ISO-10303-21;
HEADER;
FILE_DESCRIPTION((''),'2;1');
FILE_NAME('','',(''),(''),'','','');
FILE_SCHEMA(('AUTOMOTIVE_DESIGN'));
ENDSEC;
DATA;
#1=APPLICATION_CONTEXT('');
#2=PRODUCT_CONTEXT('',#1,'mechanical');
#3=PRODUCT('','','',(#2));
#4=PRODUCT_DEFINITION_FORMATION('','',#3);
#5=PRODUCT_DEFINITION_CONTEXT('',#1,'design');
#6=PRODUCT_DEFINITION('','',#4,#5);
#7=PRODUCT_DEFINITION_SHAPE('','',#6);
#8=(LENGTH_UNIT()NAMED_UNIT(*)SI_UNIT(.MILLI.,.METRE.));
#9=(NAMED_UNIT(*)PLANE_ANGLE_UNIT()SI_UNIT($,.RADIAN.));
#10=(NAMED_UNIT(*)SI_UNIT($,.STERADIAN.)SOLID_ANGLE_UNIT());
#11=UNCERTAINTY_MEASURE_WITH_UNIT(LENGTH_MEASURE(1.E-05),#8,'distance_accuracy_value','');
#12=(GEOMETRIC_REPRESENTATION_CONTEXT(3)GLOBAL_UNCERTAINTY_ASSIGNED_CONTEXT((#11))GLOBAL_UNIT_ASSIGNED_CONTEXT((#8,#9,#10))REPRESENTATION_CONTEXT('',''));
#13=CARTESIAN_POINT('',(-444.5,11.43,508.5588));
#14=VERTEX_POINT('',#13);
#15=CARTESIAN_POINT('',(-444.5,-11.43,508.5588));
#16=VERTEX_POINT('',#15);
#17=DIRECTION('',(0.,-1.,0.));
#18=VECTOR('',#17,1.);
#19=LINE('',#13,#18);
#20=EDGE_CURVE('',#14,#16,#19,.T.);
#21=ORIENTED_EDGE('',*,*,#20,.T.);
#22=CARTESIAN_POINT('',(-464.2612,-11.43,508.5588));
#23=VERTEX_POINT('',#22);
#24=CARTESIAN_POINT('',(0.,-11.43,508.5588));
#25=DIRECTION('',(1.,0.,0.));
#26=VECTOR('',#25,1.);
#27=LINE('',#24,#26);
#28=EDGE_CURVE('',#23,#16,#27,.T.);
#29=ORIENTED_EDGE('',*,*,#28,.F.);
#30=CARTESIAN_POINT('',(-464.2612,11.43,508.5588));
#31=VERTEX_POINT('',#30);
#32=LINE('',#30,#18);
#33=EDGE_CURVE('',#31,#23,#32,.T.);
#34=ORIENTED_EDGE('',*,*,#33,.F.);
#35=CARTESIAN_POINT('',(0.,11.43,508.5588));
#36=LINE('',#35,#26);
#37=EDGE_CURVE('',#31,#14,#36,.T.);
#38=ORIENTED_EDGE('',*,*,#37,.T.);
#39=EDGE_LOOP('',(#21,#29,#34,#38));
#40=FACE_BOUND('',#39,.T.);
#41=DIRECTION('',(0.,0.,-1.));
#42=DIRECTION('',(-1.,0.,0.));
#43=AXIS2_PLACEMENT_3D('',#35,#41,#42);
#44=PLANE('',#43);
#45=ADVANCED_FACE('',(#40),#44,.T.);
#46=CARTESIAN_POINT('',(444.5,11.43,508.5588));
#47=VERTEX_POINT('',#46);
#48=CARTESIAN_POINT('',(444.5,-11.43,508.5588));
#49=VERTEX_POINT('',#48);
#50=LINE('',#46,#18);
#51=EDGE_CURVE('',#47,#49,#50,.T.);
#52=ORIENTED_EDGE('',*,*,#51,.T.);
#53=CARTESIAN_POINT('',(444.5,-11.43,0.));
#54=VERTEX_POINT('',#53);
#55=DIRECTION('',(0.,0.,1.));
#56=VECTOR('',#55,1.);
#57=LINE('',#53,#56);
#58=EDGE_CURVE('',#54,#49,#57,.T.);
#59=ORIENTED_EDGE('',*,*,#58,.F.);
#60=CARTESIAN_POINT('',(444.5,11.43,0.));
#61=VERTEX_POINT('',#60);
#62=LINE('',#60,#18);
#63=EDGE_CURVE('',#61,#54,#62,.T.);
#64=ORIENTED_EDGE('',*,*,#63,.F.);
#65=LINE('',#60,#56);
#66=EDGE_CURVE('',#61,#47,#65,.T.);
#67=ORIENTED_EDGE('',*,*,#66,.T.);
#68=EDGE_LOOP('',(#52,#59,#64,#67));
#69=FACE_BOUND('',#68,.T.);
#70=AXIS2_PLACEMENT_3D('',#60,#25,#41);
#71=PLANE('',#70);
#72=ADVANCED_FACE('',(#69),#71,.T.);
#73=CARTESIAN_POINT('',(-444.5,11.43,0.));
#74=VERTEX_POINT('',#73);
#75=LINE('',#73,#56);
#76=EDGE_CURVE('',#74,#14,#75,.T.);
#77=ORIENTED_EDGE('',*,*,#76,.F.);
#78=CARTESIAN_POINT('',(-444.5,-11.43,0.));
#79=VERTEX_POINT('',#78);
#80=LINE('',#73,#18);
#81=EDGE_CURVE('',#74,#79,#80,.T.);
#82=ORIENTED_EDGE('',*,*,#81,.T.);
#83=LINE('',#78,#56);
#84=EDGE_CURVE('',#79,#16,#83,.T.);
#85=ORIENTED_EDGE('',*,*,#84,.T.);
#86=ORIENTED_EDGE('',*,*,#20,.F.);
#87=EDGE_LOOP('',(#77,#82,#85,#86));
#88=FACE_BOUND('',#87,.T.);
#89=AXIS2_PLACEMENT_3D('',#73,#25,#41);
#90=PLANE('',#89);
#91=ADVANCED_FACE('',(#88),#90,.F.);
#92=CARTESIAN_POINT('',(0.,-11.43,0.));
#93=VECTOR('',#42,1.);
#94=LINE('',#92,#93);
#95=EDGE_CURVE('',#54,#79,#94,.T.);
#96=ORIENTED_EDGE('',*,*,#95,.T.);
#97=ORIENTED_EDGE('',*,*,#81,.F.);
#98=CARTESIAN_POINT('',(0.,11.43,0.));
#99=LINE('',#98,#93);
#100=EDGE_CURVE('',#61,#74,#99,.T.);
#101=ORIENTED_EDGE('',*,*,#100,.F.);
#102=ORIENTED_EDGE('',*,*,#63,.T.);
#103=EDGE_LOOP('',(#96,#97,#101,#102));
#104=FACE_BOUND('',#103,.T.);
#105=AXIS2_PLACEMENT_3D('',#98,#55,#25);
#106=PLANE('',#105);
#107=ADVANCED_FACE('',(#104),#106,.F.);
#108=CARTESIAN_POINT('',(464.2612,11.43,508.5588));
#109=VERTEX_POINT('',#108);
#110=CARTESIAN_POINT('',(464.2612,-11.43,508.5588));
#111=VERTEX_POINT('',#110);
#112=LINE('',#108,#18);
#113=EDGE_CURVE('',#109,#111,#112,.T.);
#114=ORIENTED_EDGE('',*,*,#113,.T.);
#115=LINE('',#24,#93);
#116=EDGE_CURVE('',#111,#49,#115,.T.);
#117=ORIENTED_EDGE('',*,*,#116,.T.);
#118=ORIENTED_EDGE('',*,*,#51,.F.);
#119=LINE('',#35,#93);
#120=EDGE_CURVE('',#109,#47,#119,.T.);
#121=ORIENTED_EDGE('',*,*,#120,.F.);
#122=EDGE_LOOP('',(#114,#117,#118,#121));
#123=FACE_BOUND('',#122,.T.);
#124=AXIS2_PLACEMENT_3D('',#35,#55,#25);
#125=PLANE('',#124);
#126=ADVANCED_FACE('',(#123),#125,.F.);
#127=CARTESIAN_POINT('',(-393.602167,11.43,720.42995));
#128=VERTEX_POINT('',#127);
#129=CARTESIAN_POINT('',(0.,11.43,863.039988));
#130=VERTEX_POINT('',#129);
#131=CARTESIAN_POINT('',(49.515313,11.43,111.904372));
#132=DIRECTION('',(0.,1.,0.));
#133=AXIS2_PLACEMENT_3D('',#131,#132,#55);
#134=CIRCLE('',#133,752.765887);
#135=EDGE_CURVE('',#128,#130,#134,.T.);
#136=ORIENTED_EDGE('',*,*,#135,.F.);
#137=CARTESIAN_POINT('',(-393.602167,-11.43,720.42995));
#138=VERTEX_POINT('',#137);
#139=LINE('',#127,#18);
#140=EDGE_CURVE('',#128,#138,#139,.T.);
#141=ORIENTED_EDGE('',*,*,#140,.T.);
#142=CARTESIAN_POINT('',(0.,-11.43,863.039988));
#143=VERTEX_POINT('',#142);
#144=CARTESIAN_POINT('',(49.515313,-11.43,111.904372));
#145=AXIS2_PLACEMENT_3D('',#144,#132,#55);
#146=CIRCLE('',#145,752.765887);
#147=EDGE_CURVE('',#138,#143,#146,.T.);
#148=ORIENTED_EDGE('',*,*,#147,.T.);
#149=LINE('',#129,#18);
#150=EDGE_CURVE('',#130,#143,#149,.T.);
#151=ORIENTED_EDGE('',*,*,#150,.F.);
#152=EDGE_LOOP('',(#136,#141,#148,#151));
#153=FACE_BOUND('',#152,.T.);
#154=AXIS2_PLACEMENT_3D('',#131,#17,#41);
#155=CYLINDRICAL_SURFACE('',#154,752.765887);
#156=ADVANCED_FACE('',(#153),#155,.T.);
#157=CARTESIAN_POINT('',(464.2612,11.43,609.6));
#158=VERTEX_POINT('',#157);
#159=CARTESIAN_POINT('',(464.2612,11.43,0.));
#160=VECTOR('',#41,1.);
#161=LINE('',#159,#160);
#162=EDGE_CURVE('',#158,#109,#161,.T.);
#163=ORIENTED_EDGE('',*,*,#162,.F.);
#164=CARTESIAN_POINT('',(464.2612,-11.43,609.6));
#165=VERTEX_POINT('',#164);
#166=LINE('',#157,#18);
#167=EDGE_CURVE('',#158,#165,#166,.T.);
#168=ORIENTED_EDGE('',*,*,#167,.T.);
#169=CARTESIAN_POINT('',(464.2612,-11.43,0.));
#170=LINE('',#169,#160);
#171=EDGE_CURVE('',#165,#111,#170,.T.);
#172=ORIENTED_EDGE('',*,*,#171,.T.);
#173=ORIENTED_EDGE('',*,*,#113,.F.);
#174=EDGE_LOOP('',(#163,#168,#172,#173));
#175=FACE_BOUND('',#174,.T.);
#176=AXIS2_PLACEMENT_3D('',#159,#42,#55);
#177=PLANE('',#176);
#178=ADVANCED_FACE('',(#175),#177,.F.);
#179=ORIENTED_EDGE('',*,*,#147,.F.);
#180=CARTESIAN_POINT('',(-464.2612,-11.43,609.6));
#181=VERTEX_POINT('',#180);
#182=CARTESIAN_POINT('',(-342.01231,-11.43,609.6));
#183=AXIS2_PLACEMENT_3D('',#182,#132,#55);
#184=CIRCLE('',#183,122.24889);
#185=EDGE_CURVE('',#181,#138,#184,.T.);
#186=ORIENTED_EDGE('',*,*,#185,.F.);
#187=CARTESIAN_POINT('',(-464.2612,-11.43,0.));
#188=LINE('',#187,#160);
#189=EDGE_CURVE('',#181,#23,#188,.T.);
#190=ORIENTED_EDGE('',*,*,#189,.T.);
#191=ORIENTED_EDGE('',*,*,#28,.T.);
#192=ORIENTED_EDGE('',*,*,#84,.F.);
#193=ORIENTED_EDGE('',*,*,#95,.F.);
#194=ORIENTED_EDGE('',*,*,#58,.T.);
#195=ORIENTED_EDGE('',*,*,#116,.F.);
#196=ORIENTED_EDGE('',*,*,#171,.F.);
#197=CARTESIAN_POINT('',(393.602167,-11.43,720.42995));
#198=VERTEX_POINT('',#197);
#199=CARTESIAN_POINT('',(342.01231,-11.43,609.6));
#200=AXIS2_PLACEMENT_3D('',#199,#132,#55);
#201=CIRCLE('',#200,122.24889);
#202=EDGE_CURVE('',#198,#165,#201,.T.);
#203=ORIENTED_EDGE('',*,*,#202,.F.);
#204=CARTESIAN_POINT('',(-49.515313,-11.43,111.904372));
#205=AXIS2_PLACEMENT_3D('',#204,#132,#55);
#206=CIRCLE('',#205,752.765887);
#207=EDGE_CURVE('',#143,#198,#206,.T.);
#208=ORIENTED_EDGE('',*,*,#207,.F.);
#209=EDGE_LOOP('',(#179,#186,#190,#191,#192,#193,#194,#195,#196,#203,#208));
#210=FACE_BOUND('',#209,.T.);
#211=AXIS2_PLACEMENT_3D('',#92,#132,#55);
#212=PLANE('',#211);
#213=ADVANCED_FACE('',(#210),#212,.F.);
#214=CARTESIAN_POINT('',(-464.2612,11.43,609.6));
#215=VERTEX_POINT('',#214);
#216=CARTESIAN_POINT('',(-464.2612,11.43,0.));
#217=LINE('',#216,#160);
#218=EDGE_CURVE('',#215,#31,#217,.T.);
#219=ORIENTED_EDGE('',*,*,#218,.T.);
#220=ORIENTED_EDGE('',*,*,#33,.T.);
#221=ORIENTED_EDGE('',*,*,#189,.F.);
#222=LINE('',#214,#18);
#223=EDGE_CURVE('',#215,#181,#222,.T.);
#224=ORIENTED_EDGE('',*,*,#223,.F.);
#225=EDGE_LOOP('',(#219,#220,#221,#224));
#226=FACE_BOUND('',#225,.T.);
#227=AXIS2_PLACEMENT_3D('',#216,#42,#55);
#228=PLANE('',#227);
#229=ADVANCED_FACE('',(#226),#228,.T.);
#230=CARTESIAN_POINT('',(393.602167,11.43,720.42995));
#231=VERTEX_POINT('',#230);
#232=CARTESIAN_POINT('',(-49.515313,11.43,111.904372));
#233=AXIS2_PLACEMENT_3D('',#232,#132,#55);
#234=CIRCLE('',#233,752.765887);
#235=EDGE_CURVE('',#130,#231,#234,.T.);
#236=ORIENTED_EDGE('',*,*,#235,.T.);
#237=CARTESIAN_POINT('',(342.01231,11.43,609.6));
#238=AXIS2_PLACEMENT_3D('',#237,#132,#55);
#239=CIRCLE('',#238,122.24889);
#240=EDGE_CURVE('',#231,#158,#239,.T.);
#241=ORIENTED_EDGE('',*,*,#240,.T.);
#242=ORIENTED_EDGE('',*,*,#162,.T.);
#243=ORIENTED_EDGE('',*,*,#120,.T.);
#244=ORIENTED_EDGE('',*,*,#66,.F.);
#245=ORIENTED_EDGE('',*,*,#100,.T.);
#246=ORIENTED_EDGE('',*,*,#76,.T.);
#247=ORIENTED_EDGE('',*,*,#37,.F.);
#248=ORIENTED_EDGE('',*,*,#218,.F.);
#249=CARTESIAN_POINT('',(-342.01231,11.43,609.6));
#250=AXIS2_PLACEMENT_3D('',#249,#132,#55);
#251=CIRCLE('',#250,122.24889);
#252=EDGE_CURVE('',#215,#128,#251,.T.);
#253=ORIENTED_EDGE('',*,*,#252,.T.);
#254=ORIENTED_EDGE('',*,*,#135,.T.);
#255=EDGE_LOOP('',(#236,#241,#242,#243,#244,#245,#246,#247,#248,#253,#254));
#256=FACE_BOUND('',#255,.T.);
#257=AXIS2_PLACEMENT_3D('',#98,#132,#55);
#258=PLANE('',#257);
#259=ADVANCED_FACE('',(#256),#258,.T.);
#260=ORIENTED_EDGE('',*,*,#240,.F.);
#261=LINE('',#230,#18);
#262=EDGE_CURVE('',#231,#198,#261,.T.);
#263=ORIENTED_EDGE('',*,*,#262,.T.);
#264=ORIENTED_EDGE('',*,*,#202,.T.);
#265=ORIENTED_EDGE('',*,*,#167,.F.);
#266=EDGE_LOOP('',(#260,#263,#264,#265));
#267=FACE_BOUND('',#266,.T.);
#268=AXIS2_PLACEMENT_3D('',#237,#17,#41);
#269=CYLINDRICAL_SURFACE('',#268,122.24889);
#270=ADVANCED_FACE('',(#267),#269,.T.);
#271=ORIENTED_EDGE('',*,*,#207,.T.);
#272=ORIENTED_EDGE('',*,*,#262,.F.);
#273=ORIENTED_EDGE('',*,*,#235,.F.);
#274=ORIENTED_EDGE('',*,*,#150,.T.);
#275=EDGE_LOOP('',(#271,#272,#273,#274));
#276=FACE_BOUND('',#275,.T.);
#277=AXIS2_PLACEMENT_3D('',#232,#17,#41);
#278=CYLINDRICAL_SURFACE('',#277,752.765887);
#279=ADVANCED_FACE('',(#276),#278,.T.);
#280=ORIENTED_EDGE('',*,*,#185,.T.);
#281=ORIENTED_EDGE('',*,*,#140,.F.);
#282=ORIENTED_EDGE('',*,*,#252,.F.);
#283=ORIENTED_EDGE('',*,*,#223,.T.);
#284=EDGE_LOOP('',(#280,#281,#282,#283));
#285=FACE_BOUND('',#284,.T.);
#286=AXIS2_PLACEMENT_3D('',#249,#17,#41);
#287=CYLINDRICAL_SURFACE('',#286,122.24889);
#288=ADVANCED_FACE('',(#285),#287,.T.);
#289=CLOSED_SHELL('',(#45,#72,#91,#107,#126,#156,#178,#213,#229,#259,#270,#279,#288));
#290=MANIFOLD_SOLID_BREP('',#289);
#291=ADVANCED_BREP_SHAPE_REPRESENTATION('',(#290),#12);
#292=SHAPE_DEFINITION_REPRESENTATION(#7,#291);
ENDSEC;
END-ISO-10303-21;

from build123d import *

# Parameters (mm, degrees)
BOSS_EXTRUDE3_DEPTH = 11.43


with BuildPart() as part:
    # Sketch22 → Boss-Extrude3 (new, symmetric)
    with BuildSketch(Plane(origin=(0, 0, 0), x_dir=(1, 0, 0), z_dir=(0, 1, 0))):
        with BuildLine():
            Line((444.5, 0), (-444.5, 0))
            Line((-444.5, 0), (-444.5, -508.5588))
            Line((-444.5, -508.5588), (-464.2612, -508.5588))
            Line((-464.2612, -508.5588), (-464.2612, -609.6))
            ThreePointArc((-464.2612, -609.6), (-445.093816183, -675.319055068), (-393.602166776, -720.429950012))
            ThreePointArc((-393.602166776, -720.429950012), (-206.914351562, -819.647480117), (0, -863.039988079))
            ThreePointArc((0, -863.039988079), (206.914351562, -819.647480117), (393.602166776, -720.429950012))
            ThreePointArc((393.602166776, -720.429950012), (445.093816183, -675.319055068), (464.2612, -609.6))
            Line((464.2612, -609.6), (464.2612, -508.5588))
            Line((464.2612, -508.5588), (444.5, -508.5588))
            Line((444.5, -508.5588), (444.5, 0))
        make_face()
    extrude(amount=BOSS_EXTRUDE3_DEPTH, both=True)


solid = part.part
